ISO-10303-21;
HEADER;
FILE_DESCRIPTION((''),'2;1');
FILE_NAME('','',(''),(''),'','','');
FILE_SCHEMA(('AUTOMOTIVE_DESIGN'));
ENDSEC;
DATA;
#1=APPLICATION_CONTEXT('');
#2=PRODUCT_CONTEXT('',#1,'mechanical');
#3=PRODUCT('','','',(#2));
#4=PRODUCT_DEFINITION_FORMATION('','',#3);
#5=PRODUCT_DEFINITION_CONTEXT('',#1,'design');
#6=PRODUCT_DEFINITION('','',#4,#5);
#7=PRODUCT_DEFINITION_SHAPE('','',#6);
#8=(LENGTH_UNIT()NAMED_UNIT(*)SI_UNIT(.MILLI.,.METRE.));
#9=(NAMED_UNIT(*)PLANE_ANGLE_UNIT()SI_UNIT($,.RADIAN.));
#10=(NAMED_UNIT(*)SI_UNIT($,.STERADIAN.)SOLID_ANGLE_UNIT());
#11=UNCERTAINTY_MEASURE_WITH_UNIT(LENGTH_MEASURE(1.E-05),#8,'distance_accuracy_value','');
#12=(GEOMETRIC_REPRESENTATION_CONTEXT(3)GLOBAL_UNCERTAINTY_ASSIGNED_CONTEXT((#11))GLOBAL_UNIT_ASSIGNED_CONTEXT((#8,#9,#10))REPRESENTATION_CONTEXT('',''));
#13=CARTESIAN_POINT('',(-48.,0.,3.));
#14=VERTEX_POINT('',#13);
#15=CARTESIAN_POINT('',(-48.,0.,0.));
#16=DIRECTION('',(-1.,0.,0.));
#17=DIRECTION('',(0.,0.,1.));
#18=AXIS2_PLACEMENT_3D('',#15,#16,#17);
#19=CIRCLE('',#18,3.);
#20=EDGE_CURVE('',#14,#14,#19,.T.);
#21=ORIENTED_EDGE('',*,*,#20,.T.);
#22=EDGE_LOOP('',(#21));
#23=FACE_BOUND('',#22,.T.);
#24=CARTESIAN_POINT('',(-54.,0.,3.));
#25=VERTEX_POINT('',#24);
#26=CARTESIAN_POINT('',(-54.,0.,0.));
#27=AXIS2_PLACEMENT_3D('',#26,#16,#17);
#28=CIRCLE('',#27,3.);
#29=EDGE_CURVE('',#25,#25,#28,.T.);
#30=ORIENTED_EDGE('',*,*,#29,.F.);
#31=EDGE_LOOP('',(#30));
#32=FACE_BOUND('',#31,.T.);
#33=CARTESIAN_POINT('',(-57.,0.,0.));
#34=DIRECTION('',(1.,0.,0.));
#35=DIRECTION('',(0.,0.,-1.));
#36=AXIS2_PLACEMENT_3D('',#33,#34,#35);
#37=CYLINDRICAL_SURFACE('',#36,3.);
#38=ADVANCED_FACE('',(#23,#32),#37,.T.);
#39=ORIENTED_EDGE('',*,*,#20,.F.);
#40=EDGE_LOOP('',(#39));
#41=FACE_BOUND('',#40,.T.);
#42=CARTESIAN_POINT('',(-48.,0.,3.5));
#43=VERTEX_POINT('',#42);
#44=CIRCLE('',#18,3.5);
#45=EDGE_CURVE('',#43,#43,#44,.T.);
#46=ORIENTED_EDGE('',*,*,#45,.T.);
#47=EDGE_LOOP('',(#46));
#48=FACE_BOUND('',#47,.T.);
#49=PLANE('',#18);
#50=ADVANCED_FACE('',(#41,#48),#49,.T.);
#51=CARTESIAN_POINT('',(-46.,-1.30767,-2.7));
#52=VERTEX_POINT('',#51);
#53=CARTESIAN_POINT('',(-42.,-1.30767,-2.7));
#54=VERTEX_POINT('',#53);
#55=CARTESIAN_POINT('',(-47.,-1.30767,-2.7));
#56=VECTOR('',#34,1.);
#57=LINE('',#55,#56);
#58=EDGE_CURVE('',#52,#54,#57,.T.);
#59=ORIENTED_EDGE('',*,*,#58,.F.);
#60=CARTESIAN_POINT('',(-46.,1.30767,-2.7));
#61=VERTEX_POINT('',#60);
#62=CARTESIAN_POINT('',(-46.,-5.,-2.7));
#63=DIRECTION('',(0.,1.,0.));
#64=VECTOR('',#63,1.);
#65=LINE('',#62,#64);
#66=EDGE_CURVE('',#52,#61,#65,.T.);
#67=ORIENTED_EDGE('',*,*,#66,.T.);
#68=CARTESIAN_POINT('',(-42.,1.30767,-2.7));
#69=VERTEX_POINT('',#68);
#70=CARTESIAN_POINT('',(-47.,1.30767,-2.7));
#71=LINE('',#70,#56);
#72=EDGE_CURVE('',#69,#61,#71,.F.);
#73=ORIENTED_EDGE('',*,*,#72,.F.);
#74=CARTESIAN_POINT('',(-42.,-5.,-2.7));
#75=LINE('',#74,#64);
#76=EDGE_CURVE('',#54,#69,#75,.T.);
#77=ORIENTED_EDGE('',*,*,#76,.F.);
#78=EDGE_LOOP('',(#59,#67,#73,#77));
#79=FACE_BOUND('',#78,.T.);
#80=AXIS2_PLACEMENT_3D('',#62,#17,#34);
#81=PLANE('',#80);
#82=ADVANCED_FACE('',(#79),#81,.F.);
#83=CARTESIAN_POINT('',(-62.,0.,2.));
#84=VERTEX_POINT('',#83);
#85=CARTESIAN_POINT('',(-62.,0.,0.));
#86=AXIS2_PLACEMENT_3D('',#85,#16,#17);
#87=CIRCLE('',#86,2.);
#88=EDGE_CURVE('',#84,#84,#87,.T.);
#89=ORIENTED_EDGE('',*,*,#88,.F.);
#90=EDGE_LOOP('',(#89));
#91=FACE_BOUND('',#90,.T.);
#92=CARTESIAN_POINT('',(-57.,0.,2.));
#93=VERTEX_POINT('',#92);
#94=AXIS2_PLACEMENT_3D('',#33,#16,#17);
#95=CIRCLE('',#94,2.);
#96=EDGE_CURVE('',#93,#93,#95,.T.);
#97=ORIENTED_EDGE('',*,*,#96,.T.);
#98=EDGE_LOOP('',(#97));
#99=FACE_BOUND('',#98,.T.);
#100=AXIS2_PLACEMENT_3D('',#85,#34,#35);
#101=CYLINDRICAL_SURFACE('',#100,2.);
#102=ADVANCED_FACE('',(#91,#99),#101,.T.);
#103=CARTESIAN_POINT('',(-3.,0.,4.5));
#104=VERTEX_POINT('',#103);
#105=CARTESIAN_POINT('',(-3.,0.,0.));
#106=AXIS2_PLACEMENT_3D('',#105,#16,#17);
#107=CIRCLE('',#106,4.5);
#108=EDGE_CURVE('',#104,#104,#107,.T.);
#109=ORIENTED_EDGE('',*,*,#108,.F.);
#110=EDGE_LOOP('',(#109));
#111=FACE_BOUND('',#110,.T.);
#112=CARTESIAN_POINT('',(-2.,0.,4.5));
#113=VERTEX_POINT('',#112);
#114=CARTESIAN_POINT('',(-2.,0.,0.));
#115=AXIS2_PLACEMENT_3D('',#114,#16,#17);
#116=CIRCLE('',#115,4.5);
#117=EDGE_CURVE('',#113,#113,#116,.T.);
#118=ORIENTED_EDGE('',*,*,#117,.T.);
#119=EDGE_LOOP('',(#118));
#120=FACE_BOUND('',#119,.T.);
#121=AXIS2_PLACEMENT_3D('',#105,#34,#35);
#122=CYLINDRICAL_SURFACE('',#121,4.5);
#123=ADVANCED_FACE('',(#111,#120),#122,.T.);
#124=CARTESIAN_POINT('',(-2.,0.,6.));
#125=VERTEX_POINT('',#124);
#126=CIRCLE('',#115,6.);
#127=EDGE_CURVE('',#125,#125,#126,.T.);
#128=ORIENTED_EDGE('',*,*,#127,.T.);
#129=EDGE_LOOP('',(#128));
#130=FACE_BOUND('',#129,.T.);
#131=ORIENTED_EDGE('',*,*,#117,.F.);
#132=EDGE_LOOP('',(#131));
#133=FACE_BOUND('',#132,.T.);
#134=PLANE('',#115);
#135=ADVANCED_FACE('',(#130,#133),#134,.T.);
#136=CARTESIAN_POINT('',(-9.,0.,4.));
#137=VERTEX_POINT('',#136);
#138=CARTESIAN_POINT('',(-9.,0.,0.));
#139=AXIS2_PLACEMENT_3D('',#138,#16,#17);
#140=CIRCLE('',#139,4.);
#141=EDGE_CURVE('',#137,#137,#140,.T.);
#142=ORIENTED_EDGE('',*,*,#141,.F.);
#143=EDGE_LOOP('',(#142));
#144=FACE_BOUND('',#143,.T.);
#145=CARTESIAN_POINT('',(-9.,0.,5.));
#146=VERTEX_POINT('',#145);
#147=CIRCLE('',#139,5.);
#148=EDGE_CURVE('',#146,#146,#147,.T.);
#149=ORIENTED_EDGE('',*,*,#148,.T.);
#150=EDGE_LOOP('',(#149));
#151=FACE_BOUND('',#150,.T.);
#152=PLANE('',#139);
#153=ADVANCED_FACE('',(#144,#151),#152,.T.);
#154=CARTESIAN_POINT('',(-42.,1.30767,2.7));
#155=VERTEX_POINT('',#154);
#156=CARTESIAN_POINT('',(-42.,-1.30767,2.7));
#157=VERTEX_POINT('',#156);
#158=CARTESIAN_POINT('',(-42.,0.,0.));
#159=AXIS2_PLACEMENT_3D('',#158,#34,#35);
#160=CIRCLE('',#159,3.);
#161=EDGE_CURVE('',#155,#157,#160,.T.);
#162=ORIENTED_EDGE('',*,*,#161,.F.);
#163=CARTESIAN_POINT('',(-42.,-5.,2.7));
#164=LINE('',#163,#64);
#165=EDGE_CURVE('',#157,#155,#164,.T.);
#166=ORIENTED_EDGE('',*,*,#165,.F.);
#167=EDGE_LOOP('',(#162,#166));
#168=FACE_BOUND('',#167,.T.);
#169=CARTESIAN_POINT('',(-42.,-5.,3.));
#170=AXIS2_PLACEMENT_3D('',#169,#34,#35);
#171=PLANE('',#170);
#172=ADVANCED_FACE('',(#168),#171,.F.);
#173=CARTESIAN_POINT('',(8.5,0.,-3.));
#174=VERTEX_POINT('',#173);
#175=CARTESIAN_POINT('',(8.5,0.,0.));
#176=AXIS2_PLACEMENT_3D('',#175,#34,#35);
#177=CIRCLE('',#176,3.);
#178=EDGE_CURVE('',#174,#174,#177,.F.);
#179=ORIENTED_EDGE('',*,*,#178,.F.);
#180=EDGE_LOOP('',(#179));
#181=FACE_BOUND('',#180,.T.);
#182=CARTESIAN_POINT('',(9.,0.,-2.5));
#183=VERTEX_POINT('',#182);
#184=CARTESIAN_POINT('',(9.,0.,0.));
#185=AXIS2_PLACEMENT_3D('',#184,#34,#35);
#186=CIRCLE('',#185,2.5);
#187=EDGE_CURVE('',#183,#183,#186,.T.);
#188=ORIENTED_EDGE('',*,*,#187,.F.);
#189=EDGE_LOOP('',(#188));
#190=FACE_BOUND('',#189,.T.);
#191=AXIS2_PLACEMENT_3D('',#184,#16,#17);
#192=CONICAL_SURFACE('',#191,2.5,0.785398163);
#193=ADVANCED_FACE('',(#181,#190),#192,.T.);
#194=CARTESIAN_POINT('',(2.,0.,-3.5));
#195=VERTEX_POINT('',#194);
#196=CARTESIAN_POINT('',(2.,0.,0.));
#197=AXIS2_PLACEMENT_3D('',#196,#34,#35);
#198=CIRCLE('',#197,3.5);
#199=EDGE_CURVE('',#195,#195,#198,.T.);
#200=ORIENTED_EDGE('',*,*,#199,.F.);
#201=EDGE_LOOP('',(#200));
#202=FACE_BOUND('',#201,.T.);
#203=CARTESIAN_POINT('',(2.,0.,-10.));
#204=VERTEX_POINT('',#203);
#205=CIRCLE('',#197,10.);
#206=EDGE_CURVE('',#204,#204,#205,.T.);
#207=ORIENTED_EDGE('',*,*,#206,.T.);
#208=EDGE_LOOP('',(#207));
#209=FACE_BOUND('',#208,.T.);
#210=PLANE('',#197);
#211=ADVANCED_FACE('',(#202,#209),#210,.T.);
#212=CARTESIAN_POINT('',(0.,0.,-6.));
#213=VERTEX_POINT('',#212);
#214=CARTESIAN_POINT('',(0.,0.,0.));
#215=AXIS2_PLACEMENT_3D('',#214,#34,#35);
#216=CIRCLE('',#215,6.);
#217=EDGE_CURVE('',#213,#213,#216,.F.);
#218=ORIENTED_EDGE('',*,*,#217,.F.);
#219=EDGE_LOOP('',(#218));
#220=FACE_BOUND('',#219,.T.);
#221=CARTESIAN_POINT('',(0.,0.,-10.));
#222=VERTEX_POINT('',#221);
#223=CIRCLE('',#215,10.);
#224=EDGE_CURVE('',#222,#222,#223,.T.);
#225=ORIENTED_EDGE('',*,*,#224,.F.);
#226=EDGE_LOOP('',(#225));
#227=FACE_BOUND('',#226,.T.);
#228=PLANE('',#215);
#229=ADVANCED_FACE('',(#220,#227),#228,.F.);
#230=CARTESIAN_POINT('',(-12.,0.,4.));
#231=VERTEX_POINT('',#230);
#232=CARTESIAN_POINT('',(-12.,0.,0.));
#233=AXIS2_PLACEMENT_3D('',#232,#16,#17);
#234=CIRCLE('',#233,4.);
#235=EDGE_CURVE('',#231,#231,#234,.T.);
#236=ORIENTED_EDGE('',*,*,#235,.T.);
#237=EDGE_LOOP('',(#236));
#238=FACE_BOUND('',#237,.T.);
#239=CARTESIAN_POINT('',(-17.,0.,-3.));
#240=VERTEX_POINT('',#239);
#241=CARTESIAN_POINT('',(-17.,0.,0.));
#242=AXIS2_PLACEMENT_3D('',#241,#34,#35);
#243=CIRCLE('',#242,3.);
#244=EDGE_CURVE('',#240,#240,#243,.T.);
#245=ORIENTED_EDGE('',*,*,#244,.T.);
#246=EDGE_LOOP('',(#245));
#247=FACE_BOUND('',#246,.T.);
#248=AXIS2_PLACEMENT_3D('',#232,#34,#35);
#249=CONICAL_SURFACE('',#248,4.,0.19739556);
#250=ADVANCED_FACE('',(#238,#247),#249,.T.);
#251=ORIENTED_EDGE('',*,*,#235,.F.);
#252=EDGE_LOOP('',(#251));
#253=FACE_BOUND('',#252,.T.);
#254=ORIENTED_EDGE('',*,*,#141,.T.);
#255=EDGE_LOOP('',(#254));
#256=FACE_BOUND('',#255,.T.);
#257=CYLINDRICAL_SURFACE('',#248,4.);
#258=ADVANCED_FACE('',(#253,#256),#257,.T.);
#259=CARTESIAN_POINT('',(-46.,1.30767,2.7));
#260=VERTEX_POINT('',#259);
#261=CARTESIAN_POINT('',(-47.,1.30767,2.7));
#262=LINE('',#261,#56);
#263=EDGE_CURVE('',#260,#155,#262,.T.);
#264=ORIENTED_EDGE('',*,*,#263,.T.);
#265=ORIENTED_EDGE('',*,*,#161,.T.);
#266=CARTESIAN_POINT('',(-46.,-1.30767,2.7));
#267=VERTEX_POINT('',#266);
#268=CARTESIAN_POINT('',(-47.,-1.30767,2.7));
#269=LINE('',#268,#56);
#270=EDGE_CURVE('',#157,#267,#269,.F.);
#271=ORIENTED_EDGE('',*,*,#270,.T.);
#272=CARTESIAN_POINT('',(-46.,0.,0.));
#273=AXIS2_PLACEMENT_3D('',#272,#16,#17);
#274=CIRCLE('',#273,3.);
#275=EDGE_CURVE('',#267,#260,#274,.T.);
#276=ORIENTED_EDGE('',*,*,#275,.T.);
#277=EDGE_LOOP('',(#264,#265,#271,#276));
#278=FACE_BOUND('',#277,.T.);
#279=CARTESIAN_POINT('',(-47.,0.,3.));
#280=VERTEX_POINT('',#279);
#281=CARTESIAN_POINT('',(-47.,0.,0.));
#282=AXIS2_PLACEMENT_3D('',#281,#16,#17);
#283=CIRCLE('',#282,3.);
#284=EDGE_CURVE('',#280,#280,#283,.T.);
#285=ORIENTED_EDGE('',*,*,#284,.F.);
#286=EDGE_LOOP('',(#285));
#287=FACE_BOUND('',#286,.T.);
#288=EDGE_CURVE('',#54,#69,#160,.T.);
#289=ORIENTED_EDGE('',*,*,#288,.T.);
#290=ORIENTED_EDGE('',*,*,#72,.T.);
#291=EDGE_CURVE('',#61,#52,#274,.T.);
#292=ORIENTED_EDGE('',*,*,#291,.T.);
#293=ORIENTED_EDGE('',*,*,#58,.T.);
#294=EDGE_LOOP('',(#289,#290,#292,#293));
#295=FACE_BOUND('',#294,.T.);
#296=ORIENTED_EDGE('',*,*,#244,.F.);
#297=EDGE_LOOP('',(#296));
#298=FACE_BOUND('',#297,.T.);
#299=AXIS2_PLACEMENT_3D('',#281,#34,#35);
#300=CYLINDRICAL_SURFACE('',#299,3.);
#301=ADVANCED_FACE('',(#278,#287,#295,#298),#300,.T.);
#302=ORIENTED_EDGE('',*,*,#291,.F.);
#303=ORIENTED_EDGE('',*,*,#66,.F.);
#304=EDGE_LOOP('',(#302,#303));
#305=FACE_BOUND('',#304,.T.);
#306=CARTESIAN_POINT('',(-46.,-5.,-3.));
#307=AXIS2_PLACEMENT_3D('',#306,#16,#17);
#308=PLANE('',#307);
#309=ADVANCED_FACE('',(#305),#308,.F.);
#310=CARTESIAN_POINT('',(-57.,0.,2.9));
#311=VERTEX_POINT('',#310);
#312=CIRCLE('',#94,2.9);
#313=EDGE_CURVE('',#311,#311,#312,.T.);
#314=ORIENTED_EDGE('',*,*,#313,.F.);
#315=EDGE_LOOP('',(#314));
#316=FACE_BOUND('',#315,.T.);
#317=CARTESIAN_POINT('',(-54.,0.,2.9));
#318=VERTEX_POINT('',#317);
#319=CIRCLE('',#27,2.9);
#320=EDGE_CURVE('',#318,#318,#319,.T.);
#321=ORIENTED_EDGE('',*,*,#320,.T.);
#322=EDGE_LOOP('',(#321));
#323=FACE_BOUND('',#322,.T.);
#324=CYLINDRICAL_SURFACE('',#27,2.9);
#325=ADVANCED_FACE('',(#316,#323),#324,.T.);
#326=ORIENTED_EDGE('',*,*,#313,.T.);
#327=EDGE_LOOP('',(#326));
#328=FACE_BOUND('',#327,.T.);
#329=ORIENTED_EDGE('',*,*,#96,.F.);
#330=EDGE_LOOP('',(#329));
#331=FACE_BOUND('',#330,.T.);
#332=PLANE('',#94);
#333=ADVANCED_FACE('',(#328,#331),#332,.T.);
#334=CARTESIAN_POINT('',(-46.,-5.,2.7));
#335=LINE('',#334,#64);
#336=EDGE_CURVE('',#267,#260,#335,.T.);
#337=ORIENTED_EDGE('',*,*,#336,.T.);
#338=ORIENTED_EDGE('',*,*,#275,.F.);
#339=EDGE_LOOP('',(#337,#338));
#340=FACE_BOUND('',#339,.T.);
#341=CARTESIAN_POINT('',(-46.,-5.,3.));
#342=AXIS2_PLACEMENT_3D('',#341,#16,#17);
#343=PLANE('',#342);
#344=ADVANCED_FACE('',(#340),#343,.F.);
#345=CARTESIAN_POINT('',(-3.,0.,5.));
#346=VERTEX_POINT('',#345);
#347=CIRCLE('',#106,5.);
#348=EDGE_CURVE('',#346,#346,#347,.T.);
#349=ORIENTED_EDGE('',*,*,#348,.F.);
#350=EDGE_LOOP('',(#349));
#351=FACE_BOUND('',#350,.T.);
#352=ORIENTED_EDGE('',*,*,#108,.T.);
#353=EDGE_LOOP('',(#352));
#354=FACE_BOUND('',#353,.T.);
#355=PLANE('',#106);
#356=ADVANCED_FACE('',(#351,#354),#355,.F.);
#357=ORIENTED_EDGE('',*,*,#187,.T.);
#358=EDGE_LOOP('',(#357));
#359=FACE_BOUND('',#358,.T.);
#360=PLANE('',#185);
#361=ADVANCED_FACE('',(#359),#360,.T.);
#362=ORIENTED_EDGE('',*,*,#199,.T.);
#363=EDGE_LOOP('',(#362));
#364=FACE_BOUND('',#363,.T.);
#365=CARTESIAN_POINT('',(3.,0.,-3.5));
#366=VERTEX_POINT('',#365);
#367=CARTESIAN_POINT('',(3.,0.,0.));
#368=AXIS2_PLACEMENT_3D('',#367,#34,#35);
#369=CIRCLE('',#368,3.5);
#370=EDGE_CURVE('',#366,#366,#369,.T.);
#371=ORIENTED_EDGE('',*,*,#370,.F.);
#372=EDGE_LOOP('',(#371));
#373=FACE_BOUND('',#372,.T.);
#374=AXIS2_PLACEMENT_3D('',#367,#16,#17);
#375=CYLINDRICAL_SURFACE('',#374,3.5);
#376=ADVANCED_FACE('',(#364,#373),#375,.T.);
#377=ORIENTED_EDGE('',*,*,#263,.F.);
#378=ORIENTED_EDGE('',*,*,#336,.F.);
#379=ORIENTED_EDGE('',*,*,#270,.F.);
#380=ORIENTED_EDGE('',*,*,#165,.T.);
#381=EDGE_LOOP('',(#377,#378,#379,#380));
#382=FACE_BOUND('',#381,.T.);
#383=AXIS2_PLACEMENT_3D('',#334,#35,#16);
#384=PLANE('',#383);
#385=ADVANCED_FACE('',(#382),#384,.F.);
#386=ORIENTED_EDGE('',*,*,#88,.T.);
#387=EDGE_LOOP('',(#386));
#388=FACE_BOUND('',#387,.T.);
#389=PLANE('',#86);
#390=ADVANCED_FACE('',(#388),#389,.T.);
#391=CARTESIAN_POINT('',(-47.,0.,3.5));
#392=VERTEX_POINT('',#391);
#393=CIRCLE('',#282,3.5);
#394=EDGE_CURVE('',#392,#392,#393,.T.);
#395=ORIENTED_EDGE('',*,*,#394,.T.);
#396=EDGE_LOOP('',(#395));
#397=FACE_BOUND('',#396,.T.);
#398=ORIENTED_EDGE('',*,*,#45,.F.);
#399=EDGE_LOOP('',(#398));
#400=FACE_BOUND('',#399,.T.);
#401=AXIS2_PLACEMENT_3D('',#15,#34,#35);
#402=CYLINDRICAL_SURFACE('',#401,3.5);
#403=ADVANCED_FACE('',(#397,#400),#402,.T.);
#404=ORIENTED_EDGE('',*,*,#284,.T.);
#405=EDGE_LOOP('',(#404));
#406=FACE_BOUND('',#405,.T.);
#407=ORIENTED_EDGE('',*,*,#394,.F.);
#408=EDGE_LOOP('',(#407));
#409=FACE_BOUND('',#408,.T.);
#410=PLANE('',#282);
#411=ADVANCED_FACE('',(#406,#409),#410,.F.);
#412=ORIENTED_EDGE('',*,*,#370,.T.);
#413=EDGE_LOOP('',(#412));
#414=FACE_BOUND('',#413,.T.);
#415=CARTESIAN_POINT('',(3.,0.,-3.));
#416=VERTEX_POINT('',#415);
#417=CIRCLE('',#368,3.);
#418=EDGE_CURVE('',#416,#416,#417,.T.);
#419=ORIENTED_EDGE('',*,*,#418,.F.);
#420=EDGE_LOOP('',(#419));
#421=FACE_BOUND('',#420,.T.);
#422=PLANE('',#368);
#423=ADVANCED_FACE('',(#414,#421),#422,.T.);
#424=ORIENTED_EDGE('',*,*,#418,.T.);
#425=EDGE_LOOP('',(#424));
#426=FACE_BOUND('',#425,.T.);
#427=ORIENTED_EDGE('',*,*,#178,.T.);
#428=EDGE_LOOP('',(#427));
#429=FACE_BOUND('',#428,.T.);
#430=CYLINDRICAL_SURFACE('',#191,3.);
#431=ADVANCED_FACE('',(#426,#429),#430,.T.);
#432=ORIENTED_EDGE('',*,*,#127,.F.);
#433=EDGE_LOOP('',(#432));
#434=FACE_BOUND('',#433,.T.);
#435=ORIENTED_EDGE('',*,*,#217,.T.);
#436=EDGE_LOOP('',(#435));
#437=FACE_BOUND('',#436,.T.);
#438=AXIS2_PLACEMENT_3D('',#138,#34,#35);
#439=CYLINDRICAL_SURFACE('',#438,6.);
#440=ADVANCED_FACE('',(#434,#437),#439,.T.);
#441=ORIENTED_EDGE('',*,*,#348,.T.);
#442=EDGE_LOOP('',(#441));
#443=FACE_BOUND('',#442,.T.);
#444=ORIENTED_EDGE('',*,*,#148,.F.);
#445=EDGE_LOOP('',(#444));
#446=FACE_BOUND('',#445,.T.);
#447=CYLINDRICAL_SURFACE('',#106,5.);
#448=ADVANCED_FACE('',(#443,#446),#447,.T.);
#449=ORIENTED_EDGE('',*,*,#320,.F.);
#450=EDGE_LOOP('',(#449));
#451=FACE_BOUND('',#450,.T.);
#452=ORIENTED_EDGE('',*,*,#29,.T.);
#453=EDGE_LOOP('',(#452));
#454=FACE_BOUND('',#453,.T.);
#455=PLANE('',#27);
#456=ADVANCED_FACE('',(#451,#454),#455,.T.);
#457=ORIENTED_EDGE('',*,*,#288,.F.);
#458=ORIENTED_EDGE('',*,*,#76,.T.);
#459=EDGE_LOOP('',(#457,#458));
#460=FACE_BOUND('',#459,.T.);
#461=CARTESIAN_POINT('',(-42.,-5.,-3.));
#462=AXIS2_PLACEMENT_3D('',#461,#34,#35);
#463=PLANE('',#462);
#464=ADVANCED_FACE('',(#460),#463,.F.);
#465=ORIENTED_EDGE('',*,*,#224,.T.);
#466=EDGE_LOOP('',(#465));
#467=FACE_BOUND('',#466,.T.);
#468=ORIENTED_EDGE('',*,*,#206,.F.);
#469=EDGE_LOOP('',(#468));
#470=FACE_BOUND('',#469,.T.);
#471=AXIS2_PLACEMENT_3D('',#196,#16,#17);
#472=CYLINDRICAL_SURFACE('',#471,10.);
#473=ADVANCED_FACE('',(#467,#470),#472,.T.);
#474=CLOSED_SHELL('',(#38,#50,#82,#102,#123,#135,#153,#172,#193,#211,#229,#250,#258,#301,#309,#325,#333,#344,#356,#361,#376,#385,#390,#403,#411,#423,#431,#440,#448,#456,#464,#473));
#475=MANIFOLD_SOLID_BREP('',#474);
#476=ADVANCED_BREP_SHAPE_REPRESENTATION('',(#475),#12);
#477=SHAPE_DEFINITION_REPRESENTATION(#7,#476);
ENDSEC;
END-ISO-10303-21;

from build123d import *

# Parameters (mm, degrees)
SKETCH_1_R          = 10
EXTRUDE_1_DEPTH     = 2
SKETCH_2_R          = 3.5
EXTRUDE_2_DEPTH     = 1
SKETCH_3_R          = 6
EXTRUDE_3_DEPTH     = 9
SKETCH_4_R          = 4
EXTRUDE_4_DEPTH     = 3
SKETCH_5_R          = 3
EXTRUDE_5_DEPTH     = 6
EXTRUDE_START       = 35
SKETCH_6_R          = 3
EXTRUDE_6_DEPTH     = 35
EXTRUDE_START_2     = 1
SKETCH_7_R          = 3.5
EXTRUDE_7_DEPTH     = 1
EXTRUDE_START_3     = 9
SKETCH_8_R          = 3
EXTRUDE_8_DEPTH     = 9
SKETCH_9_R          = 2
EXTRUDE_9_DEPTH     = 5
CHAMFER_1_SIZE      = 0.5
SKETCH_11_W         = 4
SKETCH_11_H         = 0.3
CUT_EXTRUDE_2_DEPTH = 5
CUT_EXTRUDE_START   = 2
SKETCH_12_R         = 6
SKETCH_12_R_2       = 4.5
CUT_EXTRUDE_3_DEPTH = 1
CUT_EXTRUDE_START_2 = -6
SKETCH_13_R         = 6
SKETCH_13_R_2       = 5
CUT_EXTRUDE_4_DEPTH = 6
SKETCH_15_R         = 3
SKETCH_15_R_2       = 2.9
CUT_EXTRUDE_5_DEPTH = 3


with BuildPart() as part:
    # 草图1 → 凸台-拉伸1 (new body)
    with BuildSketch(Plane(origin=(0, 0, 0), x_dir=(0, 0, -1), z_dir=(1, 0, 0))):
        Circle(SKETCH_1_R)
    extrude(amount=EXTRUDE_1_DEPTH)

    # 草图2 → 凸台-拉伸2 (add)
    with BuildSketch(Plane(origin=(2, 0, 0), x_dir=(0, 0, -1), z_dir=(1, 0, 0))):
        Circle(SKETCH_2_R)
    extrude(amount=EXTRUDE_2_DEPTH)

    # 草图3 → 凸台-拉伸3 (add)
    with BuildSketch(Plane.ZY):
        with Locations(Location((0, 0, 0), (0, 0, 180))):
            Circle(SKETCH_3_R)
    extrude(amount=EXTRUDE_3_DEPTH)

    # 草图4 → 凸台-拉伸4 (add)
    with BuildSketch(Plane.ZY.offset(9)):
        Circle(SKETCH_4_R)
    extrude(amount=EXTRUDE_4_DEPTH)

    # 草图5 → 凸台-拉伸5 (add)
    with BuildSketch(Plane(origin=(3, 0, 0), x_dir=(0, 0, -1), z_dir=(1, 0, 0))):
        Circle(SKETCH_5_R)
    extrude(amount=EXTRUDE_5_DEPTH)

    # 草图6 → 凸台-拉伸6 (add)
    with BuildSketch(Plane.ZY.offset(12).offset(EXTRUDE_START)):
        with Locations(Location((0, 0, 0), (0, 0, 180))):
            Circle(SKETCH_6_R)
    extrude(amount=-EXTRUDE_6_DEPTH)

    # 草图7 → 凸台-拉伸7 (add)
    with BuildSketch(Plane.ZY.offset(47).offset(EXTRUDE_START_2)):
        with Locations(Location((0, 0, 0), (0, 0, 180))):
            Circle(SKETCH_7_R)
    extrude(amount=-EXTRUDE_7_DEPTH)

    # 草图8 → 凸台-拉伸8 (add)
    with BuildSketch(Plane.ZY.offset(48).offset(EXTRUDE_START_3)):
        with Locations(Location((0, 0, 0), (0, 0, 180))):
            Circle(SKETCH_8_R)
    extrude(amount=-EXTRUDE_8_DEPTH)

    # 草图9 → 凸台-拉伸9 (add)
    with BuildSketch(Plane.ZY.offset(57)):
        Circle(SKETCH_9_R)
    extrude(amount=EXTRUDE_9_DEPTH)

    # 倒角1
    chamfer_1_edges = [part.edges().sort_by_distance(p)[0] for p in [
        (9, 0, 3),
    ]]
    chamfer(chamfer_1_edges, length=CHAMFER_1_SIZE)

    # 草图11 → 切除-拉伸2 (cut, symmetric)
    with BuildSketch(Plane(origin=(0, 0, 0), x_dir=(1, 0, 0), z_dir=(0, 1, 0))):
        with Locations((-44, 2.85)):
            Rectangle(SKETCH_11_W, SKETCH_11_H)
        with Locations((-44, -2.85)):
            Rectangle(SKETCH_11_W, SKETCH_11_H)
    extrude(amount=CUT_EXTRUDE_2_DEPTH, both=True, mode=Mode.SUBTRACT)

    # 草图12 → 切除-拉伸3 (cut)
    with BuildSketch(Plane.ZY.offset(CUT_EXTRUDE_START)):
        Circle(SKETCH_12_R)
        Circle(SKETCH_12_R_2, mode=Mode.SUBTRACT)
    extrude(amount=CUT_EXTRUDE_3_DEPTH, mode=Mode.SUBTRACT)

    # 草图13 → 切除-拉伸4 (cut)
    with BuildSketch(Plane.ZY.offset(9).offset(CUT_EXTRUDE_START_2)):
        with Locations(Location((0, 0, 0), (0, 0, 180))):
            Circle(SKETCH_13_R)
        Circle(SKETCH_13_R_2, mode=Mode.SUBTRACT)
    extrude(amount=CUT_EXTRUDE_4_DEPTH, mode=Mode.SUBTRACT)

    # 草图14 → 旋转1 (revolve)
    with BuildSketch(Plane.XY, mode=Mode.PRIVATE) as revolve_1_sk:
        Polygon((-12, 4), (-17, 3), (-12, 3), align=None)
    revolve(revolve_1_sk.sketch.rotate(Axis((-6.238584256, 0, 0), (-1, 0, 0)), 90), axis=Axis((-6.238584256, 0, 0), (-1, 0, 0)))

    # 草图15 → 切除-拉伸5 (cut)
    with BuildSketch(Plane.ZY.offset(57)):
        Circle(SKETCH_15_R)
        Circle(SKETCH_15_R_2, mode=Mode.SUBTRACT)
    extrude(amount=-CUT_EXTRUDE_5_DEPTH, mode=Mode.SUBTRACT)


solid = part.part
